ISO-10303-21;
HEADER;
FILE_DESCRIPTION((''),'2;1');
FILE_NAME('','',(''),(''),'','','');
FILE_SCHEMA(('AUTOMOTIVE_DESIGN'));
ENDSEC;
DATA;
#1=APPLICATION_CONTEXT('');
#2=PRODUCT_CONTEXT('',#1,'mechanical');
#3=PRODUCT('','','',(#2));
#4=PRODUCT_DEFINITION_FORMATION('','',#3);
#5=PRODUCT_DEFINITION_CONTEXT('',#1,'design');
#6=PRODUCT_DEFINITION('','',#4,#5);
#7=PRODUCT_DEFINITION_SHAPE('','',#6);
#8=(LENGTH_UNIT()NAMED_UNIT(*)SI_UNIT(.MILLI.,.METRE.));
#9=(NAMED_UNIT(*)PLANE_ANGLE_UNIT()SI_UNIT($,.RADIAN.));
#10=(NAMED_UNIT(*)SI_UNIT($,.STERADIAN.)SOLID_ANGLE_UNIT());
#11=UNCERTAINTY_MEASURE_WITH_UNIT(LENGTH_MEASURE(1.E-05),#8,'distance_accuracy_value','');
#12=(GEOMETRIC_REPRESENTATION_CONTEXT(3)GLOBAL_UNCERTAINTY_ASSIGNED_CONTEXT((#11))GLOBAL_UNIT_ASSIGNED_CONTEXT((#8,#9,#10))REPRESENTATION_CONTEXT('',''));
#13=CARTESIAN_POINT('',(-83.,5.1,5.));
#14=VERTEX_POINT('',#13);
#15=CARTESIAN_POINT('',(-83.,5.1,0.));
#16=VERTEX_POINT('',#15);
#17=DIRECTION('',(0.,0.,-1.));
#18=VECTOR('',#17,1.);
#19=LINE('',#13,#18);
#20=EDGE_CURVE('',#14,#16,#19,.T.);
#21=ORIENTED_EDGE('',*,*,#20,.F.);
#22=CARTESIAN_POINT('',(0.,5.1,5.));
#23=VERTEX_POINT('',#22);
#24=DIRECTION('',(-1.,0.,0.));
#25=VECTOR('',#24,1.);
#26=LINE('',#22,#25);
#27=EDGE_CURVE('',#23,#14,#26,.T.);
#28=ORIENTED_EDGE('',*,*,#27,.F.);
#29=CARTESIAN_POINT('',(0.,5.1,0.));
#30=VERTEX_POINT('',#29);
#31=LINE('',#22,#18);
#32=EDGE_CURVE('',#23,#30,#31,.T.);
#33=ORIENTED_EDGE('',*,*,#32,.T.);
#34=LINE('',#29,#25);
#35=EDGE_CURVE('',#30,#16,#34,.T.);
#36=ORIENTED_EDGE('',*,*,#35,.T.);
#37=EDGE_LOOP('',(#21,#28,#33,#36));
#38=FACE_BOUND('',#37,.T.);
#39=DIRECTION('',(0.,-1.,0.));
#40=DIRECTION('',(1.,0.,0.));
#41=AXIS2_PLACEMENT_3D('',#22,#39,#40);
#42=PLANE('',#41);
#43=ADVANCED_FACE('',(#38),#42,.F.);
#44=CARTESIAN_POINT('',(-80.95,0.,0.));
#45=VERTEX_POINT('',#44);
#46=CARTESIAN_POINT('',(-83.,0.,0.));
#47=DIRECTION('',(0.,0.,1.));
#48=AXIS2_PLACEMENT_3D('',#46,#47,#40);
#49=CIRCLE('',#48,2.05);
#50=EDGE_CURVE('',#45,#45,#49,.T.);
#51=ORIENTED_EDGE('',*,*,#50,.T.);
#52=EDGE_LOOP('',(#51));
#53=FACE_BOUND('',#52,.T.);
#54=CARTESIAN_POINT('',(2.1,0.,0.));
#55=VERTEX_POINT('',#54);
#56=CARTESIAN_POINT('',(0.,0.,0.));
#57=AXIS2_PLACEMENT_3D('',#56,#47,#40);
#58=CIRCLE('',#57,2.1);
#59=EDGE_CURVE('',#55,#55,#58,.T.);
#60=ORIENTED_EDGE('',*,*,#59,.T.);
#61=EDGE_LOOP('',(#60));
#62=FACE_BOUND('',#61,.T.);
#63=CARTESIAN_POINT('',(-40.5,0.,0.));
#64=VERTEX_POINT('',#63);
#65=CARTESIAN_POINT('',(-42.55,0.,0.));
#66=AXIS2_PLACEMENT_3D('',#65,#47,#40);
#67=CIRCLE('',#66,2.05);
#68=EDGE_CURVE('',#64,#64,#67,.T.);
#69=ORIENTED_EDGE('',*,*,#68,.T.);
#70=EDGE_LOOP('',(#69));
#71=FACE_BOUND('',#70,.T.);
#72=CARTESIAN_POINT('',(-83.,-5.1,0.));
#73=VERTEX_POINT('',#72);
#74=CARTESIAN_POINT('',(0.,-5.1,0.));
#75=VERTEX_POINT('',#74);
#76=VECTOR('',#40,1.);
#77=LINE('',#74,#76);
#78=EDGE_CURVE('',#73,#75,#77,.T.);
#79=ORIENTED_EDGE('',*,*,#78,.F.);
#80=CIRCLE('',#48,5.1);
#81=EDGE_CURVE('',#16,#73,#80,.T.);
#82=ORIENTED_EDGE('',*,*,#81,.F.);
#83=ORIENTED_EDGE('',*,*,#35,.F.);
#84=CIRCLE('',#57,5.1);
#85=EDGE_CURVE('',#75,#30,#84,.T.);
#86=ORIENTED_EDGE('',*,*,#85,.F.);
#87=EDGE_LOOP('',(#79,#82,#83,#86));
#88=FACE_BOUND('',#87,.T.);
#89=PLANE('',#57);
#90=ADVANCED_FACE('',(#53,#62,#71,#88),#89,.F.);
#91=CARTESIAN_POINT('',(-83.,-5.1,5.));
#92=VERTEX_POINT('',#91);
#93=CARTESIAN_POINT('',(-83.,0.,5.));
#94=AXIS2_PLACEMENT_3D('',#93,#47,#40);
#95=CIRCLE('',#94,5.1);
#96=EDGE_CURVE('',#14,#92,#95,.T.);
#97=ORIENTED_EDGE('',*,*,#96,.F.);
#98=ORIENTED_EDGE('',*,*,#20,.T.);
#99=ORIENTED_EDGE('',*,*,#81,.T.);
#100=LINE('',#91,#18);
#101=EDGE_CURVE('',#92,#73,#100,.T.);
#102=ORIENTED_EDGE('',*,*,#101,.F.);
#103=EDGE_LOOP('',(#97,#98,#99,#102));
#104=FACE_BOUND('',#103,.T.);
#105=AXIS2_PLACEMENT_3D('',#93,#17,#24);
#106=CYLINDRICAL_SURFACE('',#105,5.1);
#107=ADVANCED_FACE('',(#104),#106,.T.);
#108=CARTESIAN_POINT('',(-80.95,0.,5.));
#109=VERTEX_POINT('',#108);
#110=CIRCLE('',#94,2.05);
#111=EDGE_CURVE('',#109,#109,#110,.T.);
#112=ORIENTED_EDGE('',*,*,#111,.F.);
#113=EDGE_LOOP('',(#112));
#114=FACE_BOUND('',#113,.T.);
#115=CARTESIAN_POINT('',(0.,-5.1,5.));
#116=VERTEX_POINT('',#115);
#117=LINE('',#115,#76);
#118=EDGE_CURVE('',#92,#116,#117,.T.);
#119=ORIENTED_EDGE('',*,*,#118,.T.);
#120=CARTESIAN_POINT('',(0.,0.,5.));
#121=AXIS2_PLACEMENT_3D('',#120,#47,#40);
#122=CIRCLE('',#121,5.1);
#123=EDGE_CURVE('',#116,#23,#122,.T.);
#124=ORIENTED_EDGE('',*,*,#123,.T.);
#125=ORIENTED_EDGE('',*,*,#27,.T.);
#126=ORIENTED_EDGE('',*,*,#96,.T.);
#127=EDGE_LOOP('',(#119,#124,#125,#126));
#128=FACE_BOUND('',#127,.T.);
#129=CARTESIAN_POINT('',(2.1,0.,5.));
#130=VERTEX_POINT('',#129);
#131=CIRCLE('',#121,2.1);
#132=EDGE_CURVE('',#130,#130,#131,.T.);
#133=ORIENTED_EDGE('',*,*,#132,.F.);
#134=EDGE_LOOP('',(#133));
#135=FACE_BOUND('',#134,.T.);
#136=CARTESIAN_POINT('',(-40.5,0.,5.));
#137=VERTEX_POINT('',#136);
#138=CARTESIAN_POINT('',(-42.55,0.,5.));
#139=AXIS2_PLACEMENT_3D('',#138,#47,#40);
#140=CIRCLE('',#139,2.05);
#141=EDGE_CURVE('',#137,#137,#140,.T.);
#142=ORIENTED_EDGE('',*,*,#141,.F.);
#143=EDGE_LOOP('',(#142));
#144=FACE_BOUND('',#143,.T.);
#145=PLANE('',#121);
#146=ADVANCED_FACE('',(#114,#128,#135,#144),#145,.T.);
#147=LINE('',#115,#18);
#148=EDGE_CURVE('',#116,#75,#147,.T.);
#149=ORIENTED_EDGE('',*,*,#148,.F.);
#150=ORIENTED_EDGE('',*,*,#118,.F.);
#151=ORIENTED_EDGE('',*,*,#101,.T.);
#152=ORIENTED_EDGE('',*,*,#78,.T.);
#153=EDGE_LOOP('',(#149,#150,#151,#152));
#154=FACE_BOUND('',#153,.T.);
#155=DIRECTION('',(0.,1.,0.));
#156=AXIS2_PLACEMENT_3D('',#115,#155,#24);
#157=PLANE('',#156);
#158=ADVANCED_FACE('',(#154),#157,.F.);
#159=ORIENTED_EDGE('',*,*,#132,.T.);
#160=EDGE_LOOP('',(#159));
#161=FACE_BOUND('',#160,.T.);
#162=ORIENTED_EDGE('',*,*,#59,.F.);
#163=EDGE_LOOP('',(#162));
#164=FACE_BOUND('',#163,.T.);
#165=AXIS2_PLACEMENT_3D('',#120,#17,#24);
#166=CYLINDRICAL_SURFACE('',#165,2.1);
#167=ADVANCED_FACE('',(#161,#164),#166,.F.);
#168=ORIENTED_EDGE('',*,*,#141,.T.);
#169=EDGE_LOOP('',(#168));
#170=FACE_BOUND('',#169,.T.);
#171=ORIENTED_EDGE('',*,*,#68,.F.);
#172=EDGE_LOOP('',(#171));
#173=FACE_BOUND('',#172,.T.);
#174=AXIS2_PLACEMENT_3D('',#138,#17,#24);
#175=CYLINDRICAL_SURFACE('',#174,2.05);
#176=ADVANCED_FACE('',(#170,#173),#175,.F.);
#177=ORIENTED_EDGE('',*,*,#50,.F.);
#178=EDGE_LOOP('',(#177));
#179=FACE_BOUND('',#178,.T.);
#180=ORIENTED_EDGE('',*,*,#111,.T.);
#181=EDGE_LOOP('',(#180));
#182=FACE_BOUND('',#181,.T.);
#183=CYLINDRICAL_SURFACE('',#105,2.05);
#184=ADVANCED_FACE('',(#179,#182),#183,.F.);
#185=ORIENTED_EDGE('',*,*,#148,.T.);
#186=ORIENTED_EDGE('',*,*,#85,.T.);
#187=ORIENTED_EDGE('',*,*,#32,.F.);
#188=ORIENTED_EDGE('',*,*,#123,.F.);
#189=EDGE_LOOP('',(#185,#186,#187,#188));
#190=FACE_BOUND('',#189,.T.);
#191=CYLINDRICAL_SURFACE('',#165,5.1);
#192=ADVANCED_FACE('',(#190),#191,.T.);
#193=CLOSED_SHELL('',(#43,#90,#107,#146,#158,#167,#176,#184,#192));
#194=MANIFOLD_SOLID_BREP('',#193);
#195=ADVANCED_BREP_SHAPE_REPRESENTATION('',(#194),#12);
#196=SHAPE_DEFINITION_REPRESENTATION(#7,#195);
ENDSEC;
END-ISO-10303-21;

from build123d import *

# Parameters (mm, degrees)
ESQUISSE1_R        = 2.1
ESQUISSE1_R_2      = 2.05
BOSS_EXTRU_1_DEPTH = 5


with BuildPart() as part:
    # Esquisse1 → Boss.-Extru.1 (new body)
    with BuildSketch(Plane.XY):
        with BuildLine():
            Line((0, -5.1), (-83, -5.1))
            ThreePointArc((-83, -5.1), (-88.1, 0), (-83, 5.1))
            Line((-83, 5.1), (0, 5.1))
            ThreePointArc((0, 5.1), (5.1, 0), (0, -5.1))
        make_face()
        Circle(ESQUISSE1_R, mode=Mode.SUBTRACT)
        with Locations((-42.55, 0)):
            Circle(ESQUISSE1_R_2, mode=Mode.SUBTRACT)
        with Locations((-83, 0)):
            Circle(ESQUISSE1_R_2, mode=Mode.SUBTRACT)
    extrude(amount=BOSS_EXTRU_1_DEPTH)


solid = part.part
